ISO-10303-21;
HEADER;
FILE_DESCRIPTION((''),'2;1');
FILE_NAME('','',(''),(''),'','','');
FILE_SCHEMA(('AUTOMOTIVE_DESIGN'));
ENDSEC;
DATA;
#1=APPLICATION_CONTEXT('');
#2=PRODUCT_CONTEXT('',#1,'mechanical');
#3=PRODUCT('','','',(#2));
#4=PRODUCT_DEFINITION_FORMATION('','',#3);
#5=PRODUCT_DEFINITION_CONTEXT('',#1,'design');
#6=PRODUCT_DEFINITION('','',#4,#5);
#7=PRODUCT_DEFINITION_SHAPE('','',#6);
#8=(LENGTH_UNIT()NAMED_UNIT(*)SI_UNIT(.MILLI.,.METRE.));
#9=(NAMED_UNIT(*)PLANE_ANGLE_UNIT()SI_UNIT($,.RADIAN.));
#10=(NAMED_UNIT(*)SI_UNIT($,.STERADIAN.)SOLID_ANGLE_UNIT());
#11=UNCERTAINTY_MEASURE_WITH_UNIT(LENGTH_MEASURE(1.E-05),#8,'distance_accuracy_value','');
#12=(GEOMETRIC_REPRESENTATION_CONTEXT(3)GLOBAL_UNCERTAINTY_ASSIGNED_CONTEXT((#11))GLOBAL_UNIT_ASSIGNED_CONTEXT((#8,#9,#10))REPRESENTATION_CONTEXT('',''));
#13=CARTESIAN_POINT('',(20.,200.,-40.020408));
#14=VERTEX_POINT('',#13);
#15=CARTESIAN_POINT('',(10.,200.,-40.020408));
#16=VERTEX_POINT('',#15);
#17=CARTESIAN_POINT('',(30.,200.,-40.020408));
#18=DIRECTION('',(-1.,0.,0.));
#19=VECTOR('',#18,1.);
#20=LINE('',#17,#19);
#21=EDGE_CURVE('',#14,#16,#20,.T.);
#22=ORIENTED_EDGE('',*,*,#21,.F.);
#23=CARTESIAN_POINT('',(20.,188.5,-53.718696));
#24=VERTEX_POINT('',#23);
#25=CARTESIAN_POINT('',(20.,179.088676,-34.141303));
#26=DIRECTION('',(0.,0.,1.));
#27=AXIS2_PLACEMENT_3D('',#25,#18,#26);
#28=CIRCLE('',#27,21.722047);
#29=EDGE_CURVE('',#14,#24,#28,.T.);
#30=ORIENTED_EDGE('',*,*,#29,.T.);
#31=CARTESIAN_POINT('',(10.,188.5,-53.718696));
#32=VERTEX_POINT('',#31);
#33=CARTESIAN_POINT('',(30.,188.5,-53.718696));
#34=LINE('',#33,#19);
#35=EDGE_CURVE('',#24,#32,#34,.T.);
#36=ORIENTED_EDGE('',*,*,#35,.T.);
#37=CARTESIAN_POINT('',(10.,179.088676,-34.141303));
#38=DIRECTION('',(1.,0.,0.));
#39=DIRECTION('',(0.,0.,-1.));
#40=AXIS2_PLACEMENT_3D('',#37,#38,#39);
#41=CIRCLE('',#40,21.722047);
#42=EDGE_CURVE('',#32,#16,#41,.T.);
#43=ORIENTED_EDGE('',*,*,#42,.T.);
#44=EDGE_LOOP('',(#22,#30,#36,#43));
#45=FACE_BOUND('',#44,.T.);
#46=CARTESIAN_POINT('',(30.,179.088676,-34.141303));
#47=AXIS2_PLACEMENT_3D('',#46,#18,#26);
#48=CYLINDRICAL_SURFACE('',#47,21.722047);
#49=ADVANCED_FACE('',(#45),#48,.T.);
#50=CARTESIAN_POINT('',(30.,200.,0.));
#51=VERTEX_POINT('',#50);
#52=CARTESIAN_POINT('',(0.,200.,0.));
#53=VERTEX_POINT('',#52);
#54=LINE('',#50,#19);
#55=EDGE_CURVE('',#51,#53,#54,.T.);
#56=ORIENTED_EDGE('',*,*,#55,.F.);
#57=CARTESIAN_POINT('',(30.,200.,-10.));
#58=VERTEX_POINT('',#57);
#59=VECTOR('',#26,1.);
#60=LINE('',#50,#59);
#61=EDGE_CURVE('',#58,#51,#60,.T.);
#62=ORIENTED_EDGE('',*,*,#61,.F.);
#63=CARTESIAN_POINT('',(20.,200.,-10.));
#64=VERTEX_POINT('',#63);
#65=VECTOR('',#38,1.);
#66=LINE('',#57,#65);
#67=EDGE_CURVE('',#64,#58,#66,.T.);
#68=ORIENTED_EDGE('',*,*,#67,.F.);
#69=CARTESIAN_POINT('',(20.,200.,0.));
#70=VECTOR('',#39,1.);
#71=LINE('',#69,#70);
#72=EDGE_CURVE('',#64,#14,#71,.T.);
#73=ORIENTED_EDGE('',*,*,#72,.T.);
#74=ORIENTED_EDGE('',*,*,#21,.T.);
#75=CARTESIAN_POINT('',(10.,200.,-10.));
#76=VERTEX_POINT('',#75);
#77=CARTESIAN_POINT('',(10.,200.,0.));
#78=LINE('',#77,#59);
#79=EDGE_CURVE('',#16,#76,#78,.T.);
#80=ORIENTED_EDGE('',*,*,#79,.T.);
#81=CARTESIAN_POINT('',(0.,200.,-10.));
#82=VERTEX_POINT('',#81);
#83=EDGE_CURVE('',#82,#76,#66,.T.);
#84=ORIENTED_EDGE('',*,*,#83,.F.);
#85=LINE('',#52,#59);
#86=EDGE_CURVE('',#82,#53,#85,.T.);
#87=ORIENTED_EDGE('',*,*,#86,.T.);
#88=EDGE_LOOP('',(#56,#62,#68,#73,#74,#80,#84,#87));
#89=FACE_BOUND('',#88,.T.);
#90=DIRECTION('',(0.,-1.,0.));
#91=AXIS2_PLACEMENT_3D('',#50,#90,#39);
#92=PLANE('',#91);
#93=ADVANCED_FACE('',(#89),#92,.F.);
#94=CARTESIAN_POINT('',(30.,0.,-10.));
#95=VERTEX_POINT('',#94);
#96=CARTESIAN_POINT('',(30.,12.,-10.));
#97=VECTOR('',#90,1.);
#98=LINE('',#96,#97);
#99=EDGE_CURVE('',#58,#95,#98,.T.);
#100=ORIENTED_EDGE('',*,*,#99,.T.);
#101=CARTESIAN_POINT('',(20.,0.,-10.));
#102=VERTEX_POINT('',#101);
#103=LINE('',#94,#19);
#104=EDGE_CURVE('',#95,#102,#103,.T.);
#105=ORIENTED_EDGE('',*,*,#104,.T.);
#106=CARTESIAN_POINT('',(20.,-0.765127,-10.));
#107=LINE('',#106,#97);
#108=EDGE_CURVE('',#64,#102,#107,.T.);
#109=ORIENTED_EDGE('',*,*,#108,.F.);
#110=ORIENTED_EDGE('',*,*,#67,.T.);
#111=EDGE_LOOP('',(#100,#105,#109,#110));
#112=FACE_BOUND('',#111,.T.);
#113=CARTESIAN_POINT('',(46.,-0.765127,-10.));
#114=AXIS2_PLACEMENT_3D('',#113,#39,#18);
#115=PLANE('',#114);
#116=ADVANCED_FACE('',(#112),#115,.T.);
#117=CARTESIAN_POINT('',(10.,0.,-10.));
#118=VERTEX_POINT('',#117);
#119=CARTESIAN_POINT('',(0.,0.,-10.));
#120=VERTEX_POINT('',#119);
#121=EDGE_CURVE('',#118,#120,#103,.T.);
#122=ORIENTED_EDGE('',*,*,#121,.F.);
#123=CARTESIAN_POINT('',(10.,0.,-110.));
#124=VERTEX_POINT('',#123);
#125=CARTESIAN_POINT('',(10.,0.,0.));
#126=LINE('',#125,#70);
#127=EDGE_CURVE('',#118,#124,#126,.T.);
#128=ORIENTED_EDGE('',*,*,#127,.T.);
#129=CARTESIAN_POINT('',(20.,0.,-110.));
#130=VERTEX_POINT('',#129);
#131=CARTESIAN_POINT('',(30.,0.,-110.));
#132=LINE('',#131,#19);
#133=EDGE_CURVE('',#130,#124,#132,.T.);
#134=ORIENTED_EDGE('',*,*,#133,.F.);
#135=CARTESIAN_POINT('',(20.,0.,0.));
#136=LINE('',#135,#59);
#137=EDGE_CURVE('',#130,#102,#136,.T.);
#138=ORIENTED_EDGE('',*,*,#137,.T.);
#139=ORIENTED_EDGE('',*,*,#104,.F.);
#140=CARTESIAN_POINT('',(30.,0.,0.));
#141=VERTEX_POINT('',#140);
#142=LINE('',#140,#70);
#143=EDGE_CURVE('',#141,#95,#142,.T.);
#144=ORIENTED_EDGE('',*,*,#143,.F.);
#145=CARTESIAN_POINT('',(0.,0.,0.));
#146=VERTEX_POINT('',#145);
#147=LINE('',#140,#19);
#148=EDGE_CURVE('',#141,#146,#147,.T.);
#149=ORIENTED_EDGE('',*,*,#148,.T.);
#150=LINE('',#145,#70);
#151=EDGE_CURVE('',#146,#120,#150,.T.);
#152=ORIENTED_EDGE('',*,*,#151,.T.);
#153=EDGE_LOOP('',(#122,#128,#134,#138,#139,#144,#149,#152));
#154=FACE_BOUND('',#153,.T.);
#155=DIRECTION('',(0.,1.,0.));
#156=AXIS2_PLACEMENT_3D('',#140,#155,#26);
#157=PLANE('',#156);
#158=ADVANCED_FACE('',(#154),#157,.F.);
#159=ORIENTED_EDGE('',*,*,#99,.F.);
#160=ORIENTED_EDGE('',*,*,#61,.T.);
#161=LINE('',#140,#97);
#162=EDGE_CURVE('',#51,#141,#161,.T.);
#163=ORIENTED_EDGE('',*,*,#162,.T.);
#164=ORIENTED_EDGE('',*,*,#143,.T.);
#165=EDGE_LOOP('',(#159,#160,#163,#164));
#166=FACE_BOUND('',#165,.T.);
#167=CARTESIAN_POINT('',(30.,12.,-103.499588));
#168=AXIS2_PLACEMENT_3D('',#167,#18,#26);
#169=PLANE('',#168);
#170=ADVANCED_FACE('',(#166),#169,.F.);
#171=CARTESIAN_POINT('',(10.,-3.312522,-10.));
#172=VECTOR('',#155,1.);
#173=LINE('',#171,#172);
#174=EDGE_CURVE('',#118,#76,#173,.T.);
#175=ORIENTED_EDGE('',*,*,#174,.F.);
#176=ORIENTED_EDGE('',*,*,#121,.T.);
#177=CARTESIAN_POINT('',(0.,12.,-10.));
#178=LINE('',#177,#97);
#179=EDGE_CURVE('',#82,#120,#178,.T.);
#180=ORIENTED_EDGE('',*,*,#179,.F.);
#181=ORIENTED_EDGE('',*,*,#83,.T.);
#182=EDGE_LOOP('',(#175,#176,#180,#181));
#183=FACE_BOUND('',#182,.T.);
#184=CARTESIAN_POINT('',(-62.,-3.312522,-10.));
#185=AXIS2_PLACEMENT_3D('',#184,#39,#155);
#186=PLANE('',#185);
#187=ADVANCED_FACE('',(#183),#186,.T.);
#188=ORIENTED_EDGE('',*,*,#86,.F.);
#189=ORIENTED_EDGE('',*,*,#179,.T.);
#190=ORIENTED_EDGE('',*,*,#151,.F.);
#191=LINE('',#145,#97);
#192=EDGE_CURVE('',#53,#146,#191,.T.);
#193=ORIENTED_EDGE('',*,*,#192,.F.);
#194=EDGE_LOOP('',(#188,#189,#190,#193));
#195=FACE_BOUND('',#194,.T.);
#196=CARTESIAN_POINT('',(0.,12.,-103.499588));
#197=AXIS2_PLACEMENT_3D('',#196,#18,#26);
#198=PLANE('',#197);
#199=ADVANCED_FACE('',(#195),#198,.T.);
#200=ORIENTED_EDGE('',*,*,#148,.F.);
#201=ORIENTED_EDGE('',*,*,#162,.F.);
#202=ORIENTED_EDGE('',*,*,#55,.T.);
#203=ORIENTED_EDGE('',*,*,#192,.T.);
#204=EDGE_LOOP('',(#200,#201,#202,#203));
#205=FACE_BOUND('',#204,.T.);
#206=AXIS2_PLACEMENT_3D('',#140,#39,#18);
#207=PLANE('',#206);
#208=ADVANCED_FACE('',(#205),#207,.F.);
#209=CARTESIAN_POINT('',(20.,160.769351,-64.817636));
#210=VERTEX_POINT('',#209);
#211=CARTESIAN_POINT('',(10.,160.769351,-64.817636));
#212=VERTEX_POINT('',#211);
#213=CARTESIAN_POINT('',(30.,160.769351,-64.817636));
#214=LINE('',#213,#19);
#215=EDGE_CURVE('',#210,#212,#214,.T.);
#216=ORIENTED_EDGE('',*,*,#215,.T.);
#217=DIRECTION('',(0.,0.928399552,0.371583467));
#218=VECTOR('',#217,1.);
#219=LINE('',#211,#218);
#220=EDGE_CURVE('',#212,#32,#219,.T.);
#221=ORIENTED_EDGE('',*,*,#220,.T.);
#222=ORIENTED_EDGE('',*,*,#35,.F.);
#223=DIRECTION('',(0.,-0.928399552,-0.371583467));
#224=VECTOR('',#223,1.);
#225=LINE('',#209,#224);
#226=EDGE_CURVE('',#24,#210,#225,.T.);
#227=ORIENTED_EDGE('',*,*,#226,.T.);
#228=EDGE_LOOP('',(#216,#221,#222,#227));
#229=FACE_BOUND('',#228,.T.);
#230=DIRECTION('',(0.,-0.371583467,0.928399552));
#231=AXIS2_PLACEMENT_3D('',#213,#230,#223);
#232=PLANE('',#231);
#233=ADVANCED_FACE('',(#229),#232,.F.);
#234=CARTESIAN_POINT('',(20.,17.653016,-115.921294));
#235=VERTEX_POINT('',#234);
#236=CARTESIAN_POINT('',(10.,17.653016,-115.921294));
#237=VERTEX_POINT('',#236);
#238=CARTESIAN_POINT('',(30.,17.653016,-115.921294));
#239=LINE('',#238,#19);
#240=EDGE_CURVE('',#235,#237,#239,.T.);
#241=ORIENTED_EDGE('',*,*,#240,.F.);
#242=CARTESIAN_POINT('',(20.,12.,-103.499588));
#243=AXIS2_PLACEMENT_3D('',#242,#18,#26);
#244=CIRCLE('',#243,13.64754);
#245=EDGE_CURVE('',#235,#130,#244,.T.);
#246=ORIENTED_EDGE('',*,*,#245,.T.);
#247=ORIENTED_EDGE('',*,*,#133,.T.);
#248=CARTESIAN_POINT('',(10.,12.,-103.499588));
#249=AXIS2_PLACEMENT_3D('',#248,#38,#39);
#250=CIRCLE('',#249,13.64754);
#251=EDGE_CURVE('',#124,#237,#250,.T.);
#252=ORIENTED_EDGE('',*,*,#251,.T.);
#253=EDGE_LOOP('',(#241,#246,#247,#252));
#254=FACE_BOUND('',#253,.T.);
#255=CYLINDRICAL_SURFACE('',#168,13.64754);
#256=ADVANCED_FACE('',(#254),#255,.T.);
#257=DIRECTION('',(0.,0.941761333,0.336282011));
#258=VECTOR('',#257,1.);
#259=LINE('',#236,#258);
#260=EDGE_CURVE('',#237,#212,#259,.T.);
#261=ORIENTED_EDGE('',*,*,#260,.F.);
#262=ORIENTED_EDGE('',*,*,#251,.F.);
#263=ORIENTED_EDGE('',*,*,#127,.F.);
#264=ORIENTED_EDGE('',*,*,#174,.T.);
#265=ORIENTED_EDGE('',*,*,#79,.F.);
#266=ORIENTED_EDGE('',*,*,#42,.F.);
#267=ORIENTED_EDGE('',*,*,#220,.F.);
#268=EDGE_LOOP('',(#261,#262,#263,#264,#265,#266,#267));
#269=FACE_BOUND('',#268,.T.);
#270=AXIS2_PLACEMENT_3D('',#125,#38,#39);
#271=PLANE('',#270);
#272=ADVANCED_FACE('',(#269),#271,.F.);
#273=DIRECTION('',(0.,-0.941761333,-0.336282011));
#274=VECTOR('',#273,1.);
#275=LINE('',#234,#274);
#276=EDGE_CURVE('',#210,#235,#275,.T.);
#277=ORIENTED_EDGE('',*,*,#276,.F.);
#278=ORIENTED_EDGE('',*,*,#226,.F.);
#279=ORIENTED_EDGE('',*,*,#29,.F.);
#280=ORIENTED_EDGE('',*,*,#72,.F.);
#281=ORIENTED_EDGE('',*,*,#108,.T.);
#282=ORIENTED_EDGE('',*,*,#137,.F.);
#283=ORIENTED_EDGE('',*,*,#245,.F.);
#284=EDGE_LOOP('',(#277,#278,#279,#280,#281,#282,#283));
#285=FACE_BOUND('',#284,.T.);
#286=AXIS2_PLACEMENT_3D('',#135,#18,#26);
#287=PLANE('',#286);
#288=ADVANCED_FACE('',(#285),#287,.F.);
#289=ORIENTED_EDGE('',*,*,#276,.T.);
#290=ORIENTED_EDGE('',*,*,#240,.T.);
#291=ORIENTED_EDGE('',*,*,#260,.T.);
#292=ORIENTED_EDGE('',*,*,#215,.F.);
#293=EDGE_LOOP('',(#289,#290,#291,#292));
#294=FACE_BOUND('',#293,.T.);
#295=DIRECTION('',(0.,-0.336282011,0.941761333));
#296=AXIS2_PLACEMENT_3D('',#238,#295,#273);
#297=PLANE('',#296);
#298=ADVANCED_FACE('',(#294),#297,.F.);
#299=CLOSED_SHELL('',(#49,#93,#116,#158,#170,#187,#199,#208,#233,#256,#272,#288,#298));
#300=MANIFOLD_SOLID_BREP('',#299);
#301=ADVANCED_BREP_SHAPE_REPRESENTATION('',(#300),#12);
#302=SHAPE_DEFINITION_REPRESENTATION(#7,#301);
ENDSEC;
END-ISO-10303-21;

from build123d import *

# Parameters (mm, degrees)
RESSALTO_EXTRUS_O1_DEPTH = 30
ESBO_O7_W                = 124.831233659
ESBO_O7_H                = 205.409079033
CORTE_EXTRUS_O1_DEPTH    = 26
ESBO_O9_W                = 108.1037386
ESBO_O9_H                = 206.486977543
CORTE_EXTRUS_O2_DEPTH    = 72


with BuildPart() as part:
    # Esboço1 → Ressalto-extrusão1 (new body)
    with BuildSketch(Plane(origin=(0, 0, 0), x_dir=(0, 0, -1), z_dir=(1, 0, 0))):
        with BuildLine():
            Line((0, 0), (0, 200))
            Line((0, 200), (40.020408359, 200))
            ThreePointArc((40.020408359, 200), (48.108078735, 195.725277713), (53.718695877, 188.5))
            Line((53.718695877, 188.5), (64.817635807, 160.769350553))
            Line((64.817635807, 160.769350553), (115.921293578, 17.653015861))
            ThreePointArc((115.921293578, 17.653015861), (116.438632656, 7.659898466), (110, 0))
            Line((110, 0), (0, 0))
        make_face()
    extrude(amount=RESSALTO_EXTRUS_O1_DEPTH)

    # Esboço7 → Corte-extrusão1 (cut)
    with BuildSketch(Plane(origin=(20, 0, 0), x_dir=(0, 0, -1), z_dir=(1, 0, 0))):
        with Locations((72.41561683, 101.939412441)):
            Rectangle(ESBO_O7_W, ESBO_O7_H)
    extrude(amount=CORTE_EXTRUS_O1_DEPTH, mode=Mode.SUBTRACT)

    # Esboço9 → Corte-extrusão2 (cut)
    with BuildSketch(Plane.ZY.offset(-10)):
        with Locations((-64.0518693, 99.930966914)):
            Rectangle(ESBO_O9_W, ESBO_O9_H)
    extrude(amount=CORTE_EXTRUS_O2_DEPTH, mode=Mode.SUBTRACT)


solid = part.part
